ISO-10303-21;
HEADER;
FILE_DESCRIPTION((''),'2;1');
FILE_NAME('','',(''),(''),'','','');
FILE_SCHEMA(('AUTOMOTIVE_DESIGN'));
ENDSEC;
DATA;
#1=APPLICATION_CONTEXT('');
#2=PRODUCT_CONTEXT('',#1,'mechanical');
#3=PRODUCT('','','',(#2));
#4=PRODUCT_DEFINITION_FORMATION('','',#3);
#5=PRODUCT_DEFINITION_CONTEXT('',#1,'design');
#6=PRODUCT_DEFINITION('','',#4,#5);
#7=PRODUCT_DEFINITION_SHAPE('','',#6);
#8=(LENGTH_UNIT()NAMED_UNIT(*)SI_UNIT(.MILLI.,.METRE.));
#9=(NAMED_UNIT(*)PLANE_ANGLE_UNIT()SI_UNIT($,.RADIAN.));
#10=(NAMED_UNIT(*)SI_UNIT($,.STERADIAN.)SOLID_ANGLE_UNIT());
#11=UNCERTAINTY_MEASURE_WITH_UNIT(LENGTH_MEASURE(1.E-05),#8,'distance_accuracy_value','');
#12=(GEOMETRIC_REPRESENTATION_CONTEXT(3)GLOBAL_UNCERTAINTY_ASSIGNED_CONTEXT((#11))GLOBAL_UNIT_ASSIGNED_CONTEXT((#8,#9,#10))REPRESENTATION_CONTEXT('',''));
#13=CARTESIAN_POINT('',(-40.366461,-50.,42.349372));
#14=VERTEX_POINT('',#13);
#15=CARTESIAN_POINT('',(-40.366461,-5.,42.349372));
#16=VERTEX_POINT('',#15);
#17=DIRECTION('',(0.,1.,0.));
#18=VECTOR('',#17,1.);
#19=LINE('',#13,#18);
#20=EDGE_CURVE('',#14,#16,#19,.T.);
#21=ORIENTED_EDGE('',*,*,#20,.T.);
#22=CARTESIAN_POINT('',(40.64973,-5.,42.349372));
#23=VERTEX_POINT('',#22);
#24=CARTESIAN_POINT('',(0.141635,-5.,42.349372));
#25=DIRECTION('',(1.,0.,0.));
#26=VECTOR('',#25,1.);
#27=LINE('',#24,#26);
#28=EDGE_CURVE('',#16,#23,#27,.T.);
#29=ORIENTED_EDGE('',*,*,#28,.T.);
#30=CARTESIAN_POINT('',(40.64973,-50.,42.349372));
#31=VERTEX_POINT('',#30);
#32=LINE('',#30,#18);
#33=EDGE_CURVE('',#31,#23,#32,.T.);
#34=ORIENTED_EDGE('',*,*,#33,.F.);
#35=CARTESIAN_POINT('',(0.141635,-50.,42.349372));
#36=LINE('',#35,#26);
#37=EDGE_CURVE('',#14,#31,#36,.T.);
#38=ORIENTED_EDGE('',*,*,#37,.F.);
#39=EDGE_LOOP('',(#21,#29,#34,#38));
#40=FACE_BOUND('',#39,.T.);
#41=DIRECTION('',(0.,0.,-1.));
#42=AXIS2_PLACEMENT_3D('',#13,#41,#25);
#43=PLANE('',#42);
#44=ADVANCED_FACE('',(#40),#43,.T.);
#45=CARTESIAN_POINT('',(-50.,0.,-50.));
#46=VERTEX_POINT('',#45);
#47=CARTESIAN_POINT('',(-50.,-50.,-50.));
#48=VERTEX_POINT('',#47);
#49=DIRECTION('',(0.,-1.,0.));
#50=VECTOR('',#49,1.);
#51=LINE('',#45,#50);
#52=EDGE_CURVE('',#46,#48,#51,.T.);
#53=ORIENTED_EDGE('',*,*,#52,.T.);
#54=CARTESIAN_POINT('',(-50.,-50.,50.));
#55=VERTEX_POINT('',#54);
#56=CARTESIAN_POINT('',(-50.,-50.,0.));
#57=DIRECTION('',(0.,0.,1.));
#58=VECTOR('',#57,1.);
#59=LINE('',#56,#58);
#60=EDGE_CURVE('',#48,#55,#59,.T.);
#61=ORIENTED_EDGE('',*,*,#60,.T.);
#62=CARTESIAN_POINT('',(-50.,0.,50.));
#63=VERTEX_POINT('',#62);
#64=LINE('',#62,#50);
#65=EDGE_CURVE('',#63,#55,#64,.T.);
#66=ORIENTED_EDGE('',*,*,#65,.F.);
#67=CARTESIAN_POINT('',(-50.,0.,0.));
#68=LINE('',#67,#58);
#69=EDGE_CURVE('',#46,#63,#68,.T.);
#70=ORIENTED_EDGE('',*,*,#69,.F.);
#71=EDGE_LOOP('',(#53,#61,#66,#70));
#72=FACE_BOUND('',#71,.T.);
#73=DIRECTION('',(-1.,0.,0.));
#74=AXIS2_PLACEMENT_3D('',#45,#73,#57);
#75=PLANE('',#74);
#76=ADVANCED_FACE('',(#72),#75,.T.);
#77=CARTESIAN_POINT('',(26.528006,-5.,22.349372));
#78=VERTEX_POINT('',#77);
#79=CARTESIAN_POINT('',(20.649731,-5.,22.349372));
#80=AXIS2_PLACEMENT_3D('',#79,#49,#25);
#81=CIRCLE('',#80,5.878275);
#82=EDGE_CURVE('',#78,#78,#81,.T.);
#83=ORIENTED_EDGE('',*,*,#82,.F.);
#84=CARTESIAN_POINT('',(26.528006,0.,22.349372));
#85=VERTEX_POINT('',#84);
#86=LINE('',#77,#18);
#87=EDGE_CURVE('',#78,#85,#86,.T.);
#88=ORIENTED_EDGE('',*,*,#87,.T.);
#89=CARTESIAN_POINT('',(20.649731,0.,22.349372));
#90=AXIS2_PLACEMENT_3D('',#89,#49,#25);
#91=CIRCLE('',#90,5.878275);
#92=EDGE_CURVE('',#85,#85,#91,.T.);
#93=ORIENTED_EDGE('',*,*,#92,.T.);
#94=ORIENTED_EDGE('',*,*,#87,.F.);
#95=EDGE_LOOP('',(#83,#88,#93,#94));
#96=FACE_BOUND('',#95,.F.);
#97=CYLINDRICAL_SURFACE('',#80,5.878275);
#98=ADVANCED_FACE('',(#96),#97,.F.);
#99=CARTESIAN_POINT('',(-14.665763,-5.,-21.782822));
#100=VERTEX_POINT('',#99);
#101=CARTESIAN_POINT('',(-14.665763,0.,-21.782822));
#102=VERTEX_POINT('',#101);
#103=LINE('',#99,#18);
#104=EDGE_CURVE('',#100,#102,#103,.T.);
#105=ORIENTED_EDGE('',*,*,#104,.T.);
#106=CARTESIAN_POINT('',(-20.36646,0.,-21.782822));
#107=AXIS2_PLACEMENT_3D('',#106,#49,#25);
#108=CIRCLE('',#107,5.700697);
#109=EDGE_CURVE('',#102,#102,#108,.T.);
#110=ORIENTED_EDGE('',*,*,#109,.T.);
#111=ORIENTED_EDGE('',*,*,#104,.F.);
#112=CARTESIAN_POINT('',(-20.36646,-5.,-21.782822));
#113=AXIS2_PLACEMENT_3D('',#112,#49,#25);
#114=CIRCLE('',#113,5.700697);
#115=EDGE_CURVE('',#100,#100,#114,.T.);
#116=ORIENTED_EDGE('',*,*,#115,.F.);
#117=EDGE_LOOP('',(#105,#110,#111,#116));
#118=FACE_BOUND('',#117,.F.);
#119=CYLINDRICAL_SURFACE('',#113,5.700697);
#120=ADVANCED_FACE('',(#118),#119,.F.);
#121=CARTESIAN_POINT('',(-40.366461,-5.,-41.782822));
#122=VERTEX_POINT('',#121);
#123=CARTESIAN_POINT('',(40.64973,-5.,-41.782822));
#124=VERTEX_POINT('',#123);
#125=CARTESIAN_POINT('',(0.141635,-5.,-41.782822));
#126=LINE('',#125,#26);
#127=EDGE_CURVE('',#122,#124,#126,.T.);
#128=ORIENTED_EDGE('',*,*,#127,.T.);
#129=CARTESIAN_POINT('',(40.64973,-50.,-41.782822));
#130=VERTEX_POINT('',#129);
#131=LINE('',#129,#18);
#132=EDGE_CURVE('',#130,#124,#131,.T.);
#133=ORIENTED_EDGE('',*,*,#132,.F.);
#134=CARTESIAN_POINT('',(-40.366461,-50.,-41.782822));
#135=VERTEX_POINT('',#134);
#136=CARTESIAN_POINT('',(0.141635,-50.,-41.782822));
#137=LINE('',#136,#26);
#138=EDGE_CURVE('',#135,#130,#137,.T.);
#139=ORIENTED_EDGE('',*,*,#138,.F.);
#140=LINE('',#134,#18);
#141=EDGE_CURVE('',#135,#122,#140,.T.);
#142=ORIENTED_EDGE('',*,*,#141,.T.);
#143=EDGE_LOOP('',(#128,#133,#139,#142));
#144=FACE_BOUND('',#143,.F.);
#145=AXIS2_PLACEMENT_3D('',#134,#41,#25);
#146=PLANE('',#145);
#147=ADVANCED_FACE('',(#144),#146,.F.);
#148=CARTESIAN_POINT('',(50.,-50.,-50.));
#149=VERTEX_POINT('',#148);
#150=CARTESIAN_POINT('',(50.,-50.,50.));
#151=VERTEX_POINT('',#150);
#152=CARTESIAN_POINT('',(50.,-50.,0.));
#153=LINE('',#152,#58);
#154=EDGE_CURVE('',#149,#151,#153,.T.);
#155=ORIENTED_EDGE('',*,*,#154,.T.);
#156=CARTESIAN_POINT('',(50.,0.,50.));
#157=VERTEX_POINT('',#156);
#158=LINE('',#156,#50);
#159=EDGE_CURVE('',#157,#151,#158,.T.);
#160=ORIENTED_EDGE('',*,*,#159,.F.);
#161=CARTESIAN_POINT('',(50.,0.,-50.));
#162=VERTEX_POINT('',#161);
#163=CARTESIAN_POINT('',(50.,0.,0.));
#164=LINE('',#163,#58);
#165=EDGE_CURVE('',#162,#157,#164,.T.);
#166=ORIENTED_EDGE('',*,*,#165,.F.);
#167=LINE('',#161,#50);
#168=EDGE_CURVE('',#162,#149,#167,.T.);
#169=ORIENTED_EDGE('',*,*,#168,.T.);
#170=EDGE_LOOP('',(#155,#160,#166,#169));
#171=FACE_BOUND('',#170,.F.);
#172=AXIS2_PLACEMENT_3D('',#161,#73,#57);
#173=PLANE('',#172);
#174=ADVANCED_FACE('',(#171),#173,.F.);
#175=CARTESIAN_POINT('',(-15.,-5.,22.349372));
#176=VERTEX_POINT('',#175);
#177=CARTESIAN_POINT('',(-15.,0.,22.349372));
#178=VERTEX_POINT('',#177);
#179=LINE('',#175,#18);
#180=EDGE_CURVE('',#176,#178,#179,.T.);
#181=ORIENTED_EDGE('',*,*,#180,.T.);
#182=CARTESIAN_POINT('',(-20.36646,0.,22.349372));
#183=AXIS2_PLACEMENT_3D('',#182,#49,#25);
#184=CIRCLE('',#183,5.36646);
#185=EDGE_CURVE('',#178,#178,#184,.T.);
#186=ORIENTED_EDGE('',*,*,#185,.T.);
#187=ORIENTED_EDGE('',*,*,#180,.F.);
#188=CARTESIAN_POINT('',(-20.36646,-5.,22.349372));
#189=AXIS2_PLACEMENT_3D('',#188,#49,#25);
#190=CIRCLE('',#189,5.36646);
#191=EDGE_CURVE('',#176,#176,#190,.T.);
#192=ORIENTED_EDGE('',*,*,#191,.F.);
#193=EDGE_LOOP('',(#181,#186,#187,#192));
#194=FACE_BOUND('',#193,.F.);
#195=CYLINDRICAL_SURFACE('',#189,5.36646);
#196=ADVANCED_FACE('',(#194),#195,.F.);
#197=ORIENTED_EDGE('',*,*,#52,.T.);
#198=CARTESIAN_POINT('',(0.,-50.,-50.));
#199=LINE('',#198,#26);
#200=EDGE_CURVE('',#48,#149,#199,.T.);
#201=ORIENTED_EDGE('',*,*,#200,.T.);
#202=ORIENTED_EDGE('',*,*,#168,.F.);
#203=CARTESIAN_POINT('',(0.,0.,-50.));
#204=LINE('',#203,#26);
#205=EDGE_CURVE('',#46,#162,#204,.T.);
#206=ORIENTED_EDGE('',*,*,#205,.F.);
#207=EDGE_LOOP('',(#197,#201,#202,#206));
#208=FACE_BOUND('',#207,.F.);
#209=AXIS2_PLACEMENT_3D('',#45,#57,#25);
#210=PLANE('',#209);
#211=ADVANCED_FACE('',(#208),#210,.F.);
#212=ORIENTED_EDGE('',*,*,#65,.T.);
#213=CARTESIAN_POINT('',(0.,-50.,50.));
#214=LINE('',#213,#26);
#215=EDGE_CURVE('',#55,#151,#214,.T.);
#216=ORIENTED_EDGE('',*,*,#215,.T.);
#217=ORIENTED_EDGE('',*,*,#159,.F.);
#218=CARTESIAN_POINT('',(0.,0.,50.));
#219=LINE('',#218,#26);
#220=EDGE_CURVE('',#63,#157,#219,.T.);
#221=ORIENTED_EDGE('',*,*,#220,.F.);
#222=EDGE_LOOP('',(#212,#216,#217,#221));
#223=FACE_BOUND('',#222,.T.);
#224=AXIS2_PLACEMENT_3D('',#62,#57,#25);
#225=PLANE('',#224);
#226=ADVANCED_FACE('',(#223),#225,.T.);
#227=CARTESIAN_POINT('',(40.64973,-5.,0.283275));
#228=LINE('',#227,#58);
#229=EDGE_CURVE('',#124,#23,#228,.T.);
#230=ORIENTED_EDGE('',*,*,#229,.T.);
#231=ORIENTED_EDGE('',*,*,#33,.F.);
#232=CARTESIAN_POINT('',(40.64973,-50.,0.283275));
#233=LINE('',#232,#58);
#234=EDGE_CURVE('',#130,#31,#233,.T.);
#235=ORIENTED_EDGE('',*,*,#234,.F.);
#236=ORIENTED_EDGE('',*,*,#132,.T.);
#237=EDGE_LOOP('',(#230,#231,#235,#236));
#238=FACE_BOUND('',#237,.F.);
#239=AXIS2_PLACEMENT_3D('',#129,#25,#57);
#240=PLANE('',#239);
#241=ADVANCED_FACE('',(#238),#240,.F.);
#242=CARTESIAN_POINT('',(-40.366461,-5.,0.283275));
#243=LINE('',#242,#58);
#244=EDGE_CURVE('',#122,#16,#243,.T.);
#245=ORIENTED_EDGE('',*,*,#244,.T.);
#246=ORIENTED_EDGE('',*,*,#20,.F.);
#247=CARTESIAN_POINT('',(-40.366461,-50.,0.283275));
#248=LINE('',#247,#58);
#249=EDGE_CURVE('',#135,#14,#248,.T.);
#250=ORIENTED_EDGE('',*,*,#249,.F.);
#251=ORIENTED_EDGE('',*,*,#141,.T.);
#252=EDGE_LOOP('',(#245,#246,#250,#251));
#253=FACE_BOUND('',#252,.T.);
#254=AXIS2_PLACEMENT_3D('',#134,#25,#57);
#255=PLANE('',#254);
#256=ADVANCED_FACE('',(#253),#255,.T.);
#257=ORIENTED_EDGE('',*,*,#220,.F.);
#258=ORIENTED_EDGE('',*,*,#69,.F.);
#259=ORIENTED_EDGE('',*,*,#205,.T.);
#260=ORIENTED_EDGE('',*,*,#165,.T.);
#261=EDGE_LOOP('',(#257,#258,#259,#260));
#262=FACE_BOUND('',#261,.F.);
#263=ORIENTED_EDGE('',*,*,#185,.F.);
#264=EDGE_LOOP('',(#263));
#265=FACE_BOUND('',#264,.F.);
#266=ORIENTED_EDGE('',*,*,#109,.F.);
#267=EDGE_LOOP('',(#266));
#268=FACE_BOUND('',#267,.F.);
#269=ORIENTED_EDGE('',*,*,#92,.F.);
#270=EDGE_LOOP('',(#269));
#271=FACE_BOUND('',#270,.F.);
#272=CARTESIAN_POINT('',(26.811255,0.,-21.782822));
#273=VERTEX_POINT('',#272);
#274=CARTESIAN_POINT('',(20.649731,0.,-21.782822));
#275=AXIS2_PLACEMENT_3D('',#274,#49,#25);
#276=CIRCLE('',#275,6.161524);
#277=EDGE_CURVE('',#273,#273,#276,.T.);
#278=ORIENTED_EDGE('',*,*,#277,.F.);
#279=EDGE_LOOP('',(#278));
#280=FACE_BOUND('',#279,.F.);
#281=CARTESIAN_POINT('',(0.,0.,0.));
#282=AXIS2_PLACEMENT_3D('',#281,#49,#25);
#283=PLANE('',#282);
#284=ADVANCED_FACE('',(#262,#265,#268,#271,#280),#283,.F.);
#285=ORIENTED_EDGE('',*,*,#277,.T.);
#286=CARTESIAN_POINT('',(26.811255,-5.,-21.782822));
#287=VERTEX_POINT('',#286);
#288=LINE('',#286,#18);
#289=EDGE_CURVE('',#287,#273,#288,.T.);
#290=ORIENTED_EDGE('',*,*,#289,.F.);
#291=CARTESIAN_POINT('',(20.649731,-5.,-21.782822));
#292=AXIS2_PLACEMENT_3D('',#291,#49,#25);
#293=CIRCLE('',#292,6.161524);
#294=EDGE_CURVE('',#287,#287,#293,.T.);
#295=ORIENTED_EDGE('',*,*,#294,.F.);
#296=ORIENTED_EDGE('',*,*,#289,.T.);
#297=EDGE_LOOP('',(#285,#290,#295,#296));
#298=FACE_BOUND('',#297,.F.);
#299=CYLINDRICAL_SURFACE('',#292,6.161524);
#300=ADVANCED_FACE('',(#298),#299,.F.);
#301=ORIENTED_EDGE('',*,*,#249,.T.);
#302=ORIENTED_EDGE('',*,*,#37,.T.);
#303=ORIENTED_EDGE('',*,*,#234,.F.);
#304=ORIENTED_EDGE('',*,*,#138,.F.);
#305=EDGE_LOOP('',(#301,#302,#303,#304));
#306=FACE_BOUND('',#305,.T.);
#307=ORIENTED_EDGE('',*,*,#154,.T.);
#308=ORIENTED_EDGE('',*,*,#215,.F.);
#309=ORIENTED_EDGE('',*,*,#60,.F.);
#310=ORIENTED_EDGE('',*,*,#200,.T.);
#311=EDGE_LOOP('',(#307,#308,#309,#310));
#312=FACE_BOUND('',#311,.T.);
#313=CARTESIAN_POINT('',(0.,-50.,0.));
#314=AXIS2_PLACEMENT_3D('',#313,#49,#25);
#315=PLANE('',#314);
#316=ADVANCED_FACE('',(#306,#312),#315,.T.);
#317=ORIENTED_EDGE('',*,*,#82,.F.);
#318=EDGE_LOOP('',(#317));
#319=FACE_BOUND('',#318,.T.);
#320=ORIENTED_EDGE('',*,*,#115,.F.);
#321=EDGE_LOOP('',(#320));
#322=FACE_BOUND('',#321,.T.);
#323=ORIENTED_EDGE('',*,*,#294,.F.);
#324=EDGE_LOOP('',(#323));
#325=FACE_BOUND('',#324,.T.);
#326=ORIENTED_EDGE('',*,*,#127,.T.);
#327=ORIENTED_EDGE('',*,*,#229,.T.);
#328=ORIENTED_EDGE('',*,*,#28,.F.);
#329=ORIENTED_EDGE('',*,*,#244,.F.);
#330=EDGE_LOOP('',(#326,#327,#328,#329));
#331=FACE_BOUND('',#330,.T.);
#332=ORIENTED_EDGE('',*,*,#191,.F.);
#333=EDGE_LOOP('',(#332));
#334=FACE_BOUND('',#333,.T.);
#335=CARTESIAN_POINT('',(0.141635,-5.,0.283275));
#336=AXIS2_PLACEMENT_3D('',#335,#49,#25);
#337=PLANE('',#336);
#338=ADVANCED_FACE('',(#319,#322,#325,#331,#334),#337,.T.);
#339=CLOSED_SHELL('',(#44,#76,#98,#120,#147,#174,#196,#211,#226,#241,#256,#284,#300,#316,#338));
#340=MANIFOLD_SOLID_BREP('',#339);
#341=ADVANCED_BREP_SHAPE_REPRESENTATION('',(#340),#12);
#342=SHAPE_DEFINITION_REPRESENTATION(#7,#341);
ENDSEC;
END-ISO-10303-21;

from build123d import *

# Parameters (mm, degrees)
F0_W     = 100
F0_H     = 100
F1_DEPTH = 50
F2_W     = 81.016191
F2_H     = 84.132194
F3_DEPTH = 45
F5_R     = 5.36646
F5_R_2   = 5.878275
F5_R_3   = 6.161524
F5_R_4   = 5.700697
F6_DEPTH = 25
F4_R     = 5.700697
F4_R_2   = 5.36646
F4_R_3   = 5.878275
F4_R_4   = 6.161524
F7_DEPTH = 19.5


with BuildPart() as f1:
    # F0 (on Front) → F1 (new body)
    with BuildSketch(Plane.XZ):
        Rectangle(F0_W, F0_H)
    extrude(amount=F1_DEPTH)

    # F2 (on face) → F3 (cut)
    with BuildSketch(Plane.XZ.offset(50)):
        with Locations((0.141635, 0.283275)):
            Rectangle(F2_W, F2_H)
    extrude(amount=-F3_DEPTH, mode=Mode.SUBTRACT)

    # F5 (on face) → F6 (cut)
    with BuildSketch(Plane.XZ.offset(5)):
        with Locations((-20.36646, 22.349372)):
            Circle(F5_R)
        with Locations((20.649731, 22.349372)):
            Circle(F5_R_2)
        with Locations((20.649731, -21.782822)):
            Circle(F5_R_3)
        with Locations((-20.36646, -21.782822)):
            Circle(F5_R_4)
    extrude(amount=-F6_DEPTH, mode=Mode.SUBTRACT)

    # F4 (on face) → F7 (cut)
    with BuildSketch(Plane.XZ.offset(5)):
        with Locations((-20.36646, -21.782822)):
            Circle(F4_R)
        with Locations((-20.36646, 22.349372)):
            Circle(F4_R_2)
        with Locations((20.649731, 22.349372)):
            Circle(F4_R_3)
        with Locations((20.649731, -21.782822)):
            Circle(F4_R_4)
    extrude(amount=-F7_DEPTH, mode=Mode.SUBTRACT)


solid = f1.part
